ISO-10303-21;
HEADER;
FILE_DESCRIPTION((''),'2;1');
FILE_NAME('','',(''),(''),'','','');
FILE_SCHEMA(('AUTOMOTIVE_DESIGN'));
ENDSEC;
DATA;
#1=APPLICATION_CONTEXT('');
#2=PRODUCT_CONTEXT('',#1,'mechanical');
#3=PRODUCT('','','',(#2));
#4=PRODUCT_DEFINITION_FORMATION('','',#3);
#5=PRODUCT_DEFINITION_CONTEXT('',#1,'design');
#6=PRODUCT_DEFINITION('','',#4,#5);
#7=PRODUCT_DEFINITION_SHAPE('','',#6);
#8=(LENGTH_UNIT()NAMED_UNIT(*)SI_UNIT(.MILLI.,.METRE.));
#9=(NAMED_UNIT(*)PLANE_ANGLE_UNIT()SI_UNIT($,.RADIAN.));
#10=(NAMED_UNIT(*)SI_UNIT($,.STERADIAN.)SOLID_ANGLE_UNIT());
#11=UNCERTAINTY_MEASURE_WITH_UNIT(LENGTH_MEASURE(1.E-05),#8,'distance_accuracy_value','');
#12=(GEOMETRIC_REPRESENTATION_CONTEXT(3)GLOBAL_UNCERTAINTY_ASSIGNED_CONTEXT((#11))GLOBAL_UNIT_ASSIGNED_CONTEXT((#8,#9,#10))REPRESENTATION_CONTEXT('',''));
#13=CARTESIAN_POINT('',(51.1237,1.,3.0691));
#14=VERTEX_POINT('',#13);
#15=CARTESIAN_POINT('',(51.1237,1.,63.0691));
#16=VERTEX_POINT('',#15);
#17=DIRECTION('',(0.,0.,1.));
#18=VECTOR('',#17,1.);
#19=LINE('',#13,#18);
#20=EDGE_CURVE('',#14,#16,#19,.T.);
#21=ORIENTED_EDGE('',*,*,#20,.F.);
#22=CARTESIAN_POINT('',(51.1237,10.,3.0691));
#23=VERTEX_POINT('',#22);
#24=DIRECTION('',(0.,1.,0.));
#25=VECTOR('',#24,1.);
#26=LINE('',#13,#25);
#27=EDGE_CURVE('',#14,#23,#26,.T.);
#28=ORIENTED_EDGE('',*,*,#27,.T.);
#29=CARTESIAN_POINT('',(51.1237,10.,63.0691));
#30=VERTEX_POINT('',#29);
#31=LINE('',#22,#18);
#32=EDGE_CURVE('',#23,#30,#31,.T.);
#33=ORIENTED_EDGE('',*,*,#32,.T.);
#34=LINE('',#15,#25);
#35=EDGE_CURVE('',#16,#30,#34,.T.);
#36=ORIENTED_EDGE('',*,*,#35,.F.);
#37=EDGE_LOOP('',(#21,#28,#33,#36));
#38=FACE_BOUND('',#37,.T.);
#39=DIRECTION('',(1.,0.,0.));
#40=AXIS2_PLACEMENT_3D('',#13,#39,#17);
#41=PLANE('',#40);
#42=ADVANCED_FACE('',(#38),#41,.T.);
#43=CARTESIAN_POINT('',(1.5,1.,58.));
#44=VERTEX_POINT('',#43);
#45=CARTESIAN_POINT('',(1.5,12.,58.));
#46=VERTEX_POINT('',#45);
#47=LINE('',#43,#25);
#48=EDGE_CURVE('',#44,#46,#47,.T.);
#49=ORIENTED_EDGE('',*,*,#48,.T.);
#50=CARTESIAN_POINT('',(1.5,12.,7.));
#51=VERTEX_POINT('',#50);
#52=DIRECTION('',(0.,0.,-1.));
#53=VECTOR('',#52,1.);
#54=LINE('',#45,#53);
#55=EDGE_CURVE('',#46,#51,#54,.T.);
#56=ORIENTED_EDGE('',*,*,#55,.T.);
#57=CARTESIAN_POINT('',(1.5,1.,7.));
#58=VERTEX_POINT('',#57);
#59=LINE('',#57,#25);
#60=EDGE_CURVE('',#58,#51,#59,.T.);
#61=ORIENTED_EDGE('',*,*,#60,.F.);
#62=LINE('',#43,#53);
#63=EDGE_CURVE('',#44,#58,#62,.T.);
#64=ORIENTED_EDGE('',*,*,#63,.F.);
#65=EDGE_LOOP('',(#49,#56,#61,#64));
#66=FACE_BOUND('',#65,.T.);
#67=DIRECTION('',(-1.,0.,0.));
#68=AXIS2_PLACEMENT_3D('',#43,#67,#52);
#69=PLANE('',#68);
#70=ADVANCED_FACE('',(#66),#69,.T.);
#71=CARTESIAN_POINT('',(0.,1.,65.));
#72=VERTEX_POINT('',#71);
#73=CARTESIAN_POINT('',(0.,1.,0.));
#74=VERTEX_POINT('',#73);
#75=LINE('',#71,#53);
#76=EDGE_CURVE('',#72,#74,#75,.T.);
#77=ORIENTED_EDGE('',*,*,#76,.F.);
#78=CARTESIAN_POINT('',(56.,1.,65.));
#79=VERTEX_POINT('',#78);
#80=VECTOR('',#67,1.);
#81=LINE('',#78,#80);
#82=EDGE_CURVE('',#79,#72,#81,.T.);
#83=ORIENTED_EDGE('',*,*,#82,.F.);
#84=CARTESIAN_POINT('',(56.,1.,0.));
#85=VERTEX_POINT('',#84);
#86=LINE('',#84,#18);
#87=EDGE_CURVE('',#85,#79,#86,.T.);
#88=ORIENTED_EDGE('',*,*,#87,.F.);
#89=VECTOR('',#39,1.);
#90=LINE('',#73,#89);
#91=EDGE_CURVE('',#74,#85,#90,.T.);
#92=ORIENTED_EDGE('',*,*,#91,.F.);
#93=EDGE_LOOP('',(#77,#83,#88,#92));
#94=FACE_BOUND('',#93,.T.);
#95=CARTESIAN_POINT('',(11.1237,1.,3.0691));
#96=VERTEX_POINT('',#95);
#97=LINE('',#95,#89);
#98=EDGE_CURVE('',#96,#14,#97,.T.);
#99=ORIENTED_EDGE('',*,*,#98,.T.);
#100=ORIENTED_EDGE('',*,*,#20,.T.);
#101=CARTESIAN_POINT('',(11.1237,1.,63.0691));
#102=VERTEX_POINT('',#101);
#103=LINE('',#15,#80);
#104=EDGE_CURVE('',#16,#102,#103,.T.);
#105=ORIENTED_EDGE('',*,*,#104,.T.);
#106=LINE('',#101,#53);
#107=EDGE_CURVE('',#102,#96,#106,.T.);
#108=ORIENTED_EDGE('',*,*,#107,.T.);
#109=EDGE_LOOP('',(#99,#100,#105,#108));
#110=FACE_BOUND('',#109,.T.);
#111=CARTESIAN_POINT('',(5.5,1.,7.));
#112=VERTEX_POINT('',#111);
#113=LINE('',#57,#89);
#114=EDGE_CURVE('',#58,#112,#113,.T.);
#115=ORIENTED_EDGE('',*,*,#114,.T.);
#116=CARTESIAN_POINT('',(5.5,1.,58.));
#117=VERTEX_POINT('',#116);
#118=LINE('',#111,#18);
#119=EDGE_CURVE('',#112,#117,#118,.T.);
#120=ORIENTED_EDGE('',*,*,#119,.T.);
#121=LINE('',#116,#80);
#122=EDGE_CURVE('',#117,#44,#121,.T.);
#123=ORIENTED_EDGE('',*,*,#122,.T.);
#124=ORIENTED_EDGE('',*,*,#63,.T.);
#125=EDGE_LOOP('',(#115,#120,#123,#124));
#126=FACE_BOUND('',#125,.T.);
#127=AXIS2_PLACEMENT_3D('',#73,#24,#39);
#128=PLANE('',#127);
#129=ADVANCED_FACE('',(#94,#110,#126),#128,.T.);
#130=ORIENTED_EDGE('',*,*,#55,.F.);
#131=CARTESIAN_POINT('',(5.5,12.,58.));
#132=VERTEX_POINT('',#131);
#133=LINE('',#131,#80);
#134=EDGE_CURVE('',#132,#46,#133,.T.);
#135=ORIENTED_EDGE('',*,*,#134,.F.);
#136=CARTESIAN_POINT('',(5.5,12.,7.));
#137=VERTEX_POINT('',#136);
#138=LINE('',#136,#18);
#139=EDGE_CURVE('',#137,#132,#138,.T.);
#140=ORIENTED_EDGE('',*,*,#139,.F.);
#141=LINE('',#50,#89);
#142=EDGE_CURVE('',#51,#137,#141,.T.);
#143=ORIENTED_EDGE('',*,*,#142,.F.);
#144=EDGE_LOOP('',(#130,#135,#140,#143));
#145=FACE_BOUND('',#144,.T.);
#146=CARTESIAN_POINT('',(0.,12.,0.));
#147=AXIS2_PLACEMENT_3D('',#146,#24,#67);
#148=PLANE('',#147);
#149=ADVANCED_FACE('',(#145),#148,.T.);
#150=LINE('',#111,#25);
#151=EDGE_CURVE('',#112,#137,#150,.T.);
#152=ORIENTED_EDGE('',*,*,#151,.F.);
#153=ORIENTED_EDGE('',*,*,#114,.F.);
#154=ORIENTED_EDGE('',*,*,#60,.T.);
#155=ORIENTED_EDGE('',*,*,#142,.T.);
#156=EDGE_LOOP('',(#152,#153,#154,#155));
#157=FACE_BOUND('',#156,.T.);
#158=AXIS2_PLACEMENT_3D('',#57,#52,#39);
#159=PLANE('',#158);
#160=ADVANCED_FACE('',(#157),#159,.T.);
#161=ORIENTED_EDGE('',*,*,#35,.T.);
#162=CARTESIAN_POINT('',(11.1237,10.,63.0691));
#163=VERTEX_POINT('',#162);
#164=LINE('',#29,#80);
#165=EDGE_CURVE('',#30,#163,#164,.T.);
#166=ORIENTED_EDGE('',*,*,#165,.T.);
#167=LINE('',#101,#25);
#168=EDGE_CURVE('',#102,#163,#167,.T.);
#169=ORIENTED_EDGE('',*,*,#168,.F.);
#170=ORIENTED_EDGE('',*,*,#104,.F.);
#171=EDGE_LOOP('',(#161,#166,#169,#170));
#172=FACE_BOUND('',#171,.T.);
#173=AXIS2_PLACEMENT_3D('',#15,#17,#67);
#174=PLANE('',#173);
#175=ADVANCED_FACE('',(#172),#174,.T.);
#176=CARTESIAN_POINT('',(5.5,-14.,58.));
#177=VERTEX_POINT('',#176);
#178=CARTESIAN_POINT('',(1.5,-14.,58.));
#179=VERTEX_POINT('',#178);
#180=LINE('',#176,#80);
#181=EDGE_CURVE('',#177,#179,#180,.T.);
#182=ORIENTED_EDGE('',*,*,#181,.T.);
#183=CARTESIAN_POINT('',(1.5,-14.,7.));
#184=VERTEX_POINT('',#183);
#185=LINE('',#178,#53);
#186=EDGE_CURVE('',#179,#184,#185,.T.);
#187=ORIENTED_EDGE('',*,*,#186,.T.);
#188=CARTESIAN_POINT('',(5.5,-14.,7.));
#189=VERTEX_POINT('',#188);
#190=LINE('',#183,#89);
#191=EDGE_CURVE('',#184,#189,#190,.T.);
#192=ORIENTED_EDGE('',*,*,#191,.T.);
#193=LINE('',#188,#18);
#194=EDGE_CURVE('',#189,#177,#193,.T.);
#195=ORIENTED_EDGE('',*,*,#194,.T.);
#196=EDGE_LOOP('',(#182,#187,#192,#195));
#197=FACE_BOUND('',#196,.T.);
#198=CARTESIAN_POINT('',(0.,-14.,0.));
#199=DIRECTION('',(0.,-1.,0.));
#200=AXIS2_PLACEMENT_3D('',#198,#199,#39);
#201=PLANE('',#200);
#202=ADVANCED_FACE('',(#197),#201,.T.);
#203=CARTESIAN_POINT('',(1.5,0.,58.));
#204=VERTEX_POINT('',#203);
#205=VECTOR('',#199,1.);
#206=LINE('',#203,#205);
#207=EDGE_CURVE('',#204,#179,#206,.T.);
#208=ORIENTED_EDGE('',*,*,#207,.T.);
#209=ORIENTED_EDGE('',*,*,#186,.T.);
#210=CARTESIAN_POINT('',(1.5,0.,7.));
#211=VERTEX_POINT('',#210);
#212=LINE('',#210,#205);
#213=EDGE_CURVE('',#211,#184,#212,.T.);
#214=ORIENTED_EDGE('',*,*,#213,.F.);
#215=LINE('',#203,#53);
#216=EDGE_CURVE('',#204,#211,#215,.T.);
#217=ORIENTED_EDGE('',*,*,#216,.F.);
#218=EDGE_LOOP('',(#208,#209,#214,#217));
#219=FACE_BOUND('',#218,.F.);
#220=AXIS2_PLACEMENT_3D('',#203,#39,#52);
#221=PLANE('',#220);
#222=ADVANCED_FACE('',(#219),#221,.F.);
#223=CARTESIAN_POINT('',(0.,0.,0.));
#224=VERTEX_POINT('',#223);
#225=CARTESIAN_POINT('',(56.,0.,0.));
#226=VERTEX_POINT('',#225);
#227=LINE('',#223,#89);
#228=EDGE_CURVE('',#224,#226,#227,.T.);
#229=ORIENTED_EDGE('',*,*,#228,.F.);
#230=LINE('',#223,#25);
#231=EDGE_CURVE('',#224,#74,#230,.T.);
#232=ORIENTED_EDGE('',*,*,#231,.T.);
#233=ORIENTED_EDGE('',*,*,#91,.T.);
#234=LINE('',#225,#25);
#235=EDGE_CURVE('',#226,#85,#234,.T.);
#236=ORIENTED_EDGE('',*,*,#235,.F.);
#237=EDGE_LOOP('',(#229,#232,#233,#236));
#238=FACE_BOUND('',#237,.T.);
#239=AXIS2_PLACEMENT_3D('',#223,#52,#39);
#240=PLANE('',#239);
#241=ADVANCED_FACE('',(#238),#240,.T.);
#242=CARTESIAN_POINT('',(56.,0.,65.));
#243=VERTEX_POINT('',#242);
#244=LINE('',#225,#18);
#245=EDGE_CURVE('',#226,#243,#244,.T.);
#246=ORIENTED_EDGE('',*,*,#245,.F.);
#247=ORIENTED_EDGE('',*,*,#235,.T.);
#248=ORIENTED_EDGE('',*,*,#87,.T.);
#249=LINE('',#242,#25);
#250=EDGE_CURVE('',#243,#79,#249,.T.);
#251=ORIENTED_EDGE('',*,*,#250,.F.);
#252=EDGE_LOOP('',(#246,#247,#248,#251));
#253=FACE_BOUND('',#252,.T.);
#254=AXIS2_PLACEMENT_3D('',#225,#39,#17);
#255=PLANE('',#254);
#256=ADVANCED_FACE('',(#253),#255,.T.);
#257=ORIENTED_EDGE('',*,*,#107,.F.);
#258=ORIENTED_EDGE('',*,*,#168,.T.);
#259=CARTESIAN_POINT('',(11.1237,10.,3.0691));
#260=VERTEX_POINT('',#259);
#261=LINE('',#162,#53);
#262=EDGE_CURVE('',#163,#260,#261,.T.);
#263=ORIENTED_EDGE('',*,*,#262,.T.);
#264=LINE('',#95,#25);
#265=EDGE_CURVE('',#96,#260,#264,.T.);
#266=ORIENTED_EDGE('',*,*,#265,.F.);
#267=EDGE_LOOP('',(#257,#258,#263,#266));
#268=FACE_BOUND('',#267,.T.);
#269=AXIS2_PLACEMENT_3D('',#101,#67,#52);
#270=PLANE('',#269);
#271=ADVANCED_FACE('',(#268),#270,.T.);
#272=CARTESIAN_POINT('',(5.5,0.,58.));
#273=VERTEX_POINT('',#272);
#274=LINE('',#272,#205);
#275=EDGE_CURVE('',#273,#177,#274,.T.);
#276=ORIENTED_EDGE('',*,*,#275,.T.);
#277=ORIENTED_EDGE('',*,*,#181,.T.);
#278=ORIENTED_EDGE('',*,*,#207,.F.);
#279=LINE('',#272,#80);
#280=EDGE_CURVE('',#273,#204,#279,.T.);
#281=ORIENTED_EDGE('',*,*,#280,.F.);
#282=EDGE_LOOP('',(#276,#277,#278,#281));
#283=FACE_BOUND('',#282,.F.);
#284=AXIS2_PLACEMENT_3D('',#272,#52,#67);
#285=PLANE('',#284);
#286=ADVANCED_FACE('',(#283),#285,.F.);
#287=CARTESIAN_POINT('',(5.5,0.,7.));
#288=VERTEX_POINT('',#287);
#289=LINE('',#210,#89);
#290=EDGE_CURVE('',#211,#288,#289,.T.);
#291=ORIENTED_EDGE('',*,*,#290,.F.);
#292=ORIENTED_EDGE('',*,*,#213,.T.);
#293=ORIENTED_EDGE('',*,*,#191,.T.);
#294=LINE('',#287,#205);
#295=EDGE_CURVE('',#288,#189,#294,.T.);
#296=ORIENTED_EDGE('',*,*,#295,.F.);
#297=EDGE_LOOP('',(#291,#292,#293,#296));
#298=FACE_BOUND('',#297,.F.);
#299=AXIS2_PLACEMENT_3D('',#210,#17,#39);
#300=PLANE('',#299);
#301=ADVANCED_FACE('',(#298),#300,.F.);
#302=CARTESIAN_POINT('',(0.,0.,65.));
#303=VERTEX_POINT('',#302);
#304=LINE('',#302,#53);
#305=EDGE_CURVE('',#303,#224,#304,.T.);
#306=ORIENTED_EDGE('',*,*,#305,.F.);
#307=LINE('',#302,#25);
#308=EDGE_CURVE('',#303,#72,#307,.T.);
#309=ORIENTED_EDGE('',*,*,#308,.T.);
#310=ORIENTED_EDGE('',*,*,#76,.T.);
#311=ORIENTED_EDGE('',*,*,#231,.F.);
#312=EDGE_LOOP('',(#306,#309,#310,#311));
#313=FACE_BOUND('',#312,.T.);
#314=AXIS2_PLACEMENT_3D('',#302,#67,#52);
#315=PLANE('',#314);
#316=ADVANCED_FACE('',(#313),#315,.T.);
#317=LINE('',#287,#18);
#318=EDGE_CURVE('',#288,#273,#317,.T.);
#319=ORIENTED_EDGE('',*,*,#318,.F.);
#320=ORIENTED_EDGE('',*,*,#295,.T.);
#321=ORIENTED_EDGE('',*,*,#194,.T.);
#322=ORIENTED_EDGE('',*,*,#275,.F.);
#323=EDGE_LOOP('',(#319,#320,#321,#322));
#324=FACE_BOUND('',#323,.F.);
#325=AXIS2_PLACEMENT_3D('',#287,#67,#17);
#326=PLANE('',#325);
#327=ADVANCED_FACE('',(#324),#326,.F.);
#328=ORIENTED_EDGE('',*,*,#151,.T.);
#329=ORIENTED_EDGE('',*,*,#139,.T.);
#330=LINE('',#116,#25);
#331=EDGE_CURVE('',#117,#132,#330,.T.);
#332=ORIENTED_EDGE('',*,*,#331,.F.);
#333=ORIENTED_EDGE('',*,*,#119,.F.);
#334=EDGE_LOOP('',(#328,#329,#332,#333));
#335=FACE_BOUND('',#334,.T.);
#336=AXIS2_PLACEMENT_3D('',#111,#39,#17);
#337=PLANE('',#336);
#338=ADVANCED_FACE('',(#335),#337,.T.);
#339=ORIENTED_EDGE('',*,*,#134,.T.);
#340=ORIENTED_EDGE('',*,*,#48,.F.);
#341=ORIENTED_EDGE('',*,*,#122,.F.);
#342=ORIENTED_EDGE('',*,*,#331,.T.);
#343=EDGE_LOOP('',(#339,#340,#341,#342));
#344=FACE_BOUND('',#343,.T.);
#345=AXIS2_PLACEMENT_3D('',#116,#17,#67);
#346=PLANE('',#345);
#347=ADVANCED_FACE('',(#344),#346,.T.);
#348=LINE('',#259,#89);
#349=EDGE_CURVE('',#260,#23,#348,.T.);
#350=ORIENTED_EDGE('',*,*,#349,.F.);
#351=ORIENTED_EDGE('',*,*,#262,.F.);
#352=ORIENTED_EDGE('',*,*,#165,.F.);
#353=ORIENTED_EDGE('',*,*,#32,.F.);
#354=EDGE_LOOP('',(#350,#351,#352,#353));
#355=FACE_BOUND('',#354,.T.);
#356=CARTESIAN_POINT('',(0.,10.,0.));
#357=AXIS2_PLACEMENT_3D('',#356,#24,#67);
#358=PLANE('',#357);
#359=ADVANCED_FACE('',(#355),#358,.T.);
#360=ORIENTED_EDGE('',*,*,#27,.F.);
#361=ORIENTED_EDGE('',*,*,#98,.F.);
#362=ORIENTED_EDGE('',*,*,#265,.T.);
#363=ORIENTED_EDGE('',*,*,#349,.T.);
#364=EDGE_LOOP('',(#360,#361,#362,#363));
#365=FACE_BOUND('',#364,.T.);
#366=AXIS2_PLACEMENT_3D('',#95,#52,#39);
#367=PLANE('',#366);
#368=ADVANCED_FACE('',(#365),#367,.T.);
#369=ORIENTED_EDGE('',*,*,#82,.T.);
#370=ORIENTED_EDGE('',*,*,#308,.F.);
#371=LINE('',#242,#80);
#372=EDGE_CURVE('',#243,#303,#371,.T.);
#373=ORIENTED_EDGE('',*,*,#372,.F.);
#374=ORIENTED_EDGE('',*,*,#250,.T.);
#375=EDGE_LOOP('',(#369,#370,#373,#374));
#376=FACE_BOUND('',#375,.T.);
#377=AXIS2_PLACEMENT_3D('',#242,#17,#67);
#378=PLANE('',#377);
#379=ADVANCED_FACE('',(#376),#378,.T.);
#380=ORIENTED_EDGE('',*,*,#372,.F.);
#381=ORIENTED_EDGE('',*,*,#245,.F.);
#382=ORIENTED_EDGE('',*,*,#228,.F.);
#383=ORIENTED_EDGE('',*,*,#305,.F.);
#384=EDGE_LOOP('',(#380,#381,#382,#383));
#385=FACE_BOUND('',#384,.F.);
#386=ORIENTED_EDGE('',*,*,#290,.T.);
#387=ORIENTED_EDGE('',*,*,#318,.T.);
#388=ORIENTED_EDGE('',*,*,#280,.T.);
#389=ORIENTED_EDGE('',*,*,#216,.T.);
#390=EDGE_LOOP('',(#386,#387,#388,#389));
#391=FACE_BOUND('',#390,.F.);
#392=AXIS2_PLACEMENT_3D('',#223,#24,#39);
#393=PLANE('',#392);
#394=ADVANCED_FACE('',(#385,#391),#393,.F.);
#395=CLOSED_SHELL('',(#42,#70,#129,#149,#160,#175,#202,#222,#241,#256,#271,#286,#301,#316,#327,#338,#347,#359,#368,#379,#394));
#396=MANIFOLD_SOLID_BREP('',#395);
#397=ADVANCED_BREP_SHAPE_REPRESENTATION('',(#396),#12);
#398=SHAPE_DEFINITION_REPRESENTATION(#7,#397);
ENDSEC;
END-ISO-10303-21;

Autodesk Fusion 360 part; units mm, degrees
sketch "Sketch1" plane through (0, 0, 0) normal (0, 1, 0) x (1, 0, 0)
  line L0 (0, 0) -> (56, 0)
  line L1 (56, 0) -> (56, -65)
  line L2 (56, -65) -> (0, -65)
  line L3 (0, -65) -> (0, 0)
  dimension "d1" = 56
  dimension "d2" = 65
extrude "Extrude1" add sketch "Sketch1" along normal blind 1
sketch "Sketch2" plane through (0, 1, 0) normal (0, 1, 0) x (-1, 0, 0)
  line L0 (0, 65) -> (-56, 65)
  line L1 (-56, 65) -> (-56, 0)
  line L2 (-56, 0) -> (0, 0)
  line L3 (0, 0) -> (0, 65)
  line L4 (-1.5, 7) -> (-5.5, 7)
  line L5 (-5.5, 7) -> (-5.5, 58)
  line L6 (-5.5, 58) -> (-1.5, 58)
  line L7 (-1.5, 58) -> (-1.5, 7)
  dimension "d5" = 4
  dimension "d6" = 51
  dimension "d7" = 7
  dimension "d8" = 7
  dimension "d9" = 1.5
extrude "Extrude2" add sketch "Sketch2" along normal blind 11 contours L4 L5 L6 L7
sketch "Sketch3" plane through (0, 0, 0) normal (0, -1, 0) x (1, 0, 0)
  line L0 (56, 65) -> (0, 65)
  line L1 (0, 65) -> (0, 0)
  line L2 (0, 0) -> (56, 0)
  line L3 (56, 0) -> (56, 65)
  line L4 (1.5, 7) -> (5.5, 7)
  line L5 (5.5, 7) -> (5.5, 58)
  line L6 (5.5, 58) -> (1.5, 58)
  line L7 (1.5, 58) -> (1.5, 7)
extrude "Extrude3" add sketch "Sketch3" along normal blind 14 contours L4 L5 L6 L7
sketch "Sketch4" plane through (0, 1, 0) normal (0, 1, 0) x (-1, 0, 0)
  line L0 (-1.5, 58) -> (-1.5, 7)
  line L1 (-1.5, 7) -> (-5.5, 7)
  line L2 (-5.5, 7) -> (-5.5, 58)
  line L3 (-5.5, 58) -> (-1.5, 58)
  line L4 (0, 65) -> (-56, 65)
  line L5 (-56, 65) -> (-56, 0)
  line L6 (-56, 0) -> (0, 0)
  line L7 (0, 0) -> (0, 65)
  line L8 (-11.1237, 3.0691) -> (-51.1237, 3.0691)
  line L9 (-51.1237, 3.0691) -> (-51.1237, 63.0691)
  line L10 (-51.1237, 63.0691) -> (-11.1237, 63.0691)
  line L11 (-11.1237, 63.0691) -> (-11.1237, 3.0691)
  dimension "d14" = 40
  dimension "d15" = 60
extrude "Extrude4" add sketch "Sketch4" along normal blind 9 contours L8 L9 L10 L11
